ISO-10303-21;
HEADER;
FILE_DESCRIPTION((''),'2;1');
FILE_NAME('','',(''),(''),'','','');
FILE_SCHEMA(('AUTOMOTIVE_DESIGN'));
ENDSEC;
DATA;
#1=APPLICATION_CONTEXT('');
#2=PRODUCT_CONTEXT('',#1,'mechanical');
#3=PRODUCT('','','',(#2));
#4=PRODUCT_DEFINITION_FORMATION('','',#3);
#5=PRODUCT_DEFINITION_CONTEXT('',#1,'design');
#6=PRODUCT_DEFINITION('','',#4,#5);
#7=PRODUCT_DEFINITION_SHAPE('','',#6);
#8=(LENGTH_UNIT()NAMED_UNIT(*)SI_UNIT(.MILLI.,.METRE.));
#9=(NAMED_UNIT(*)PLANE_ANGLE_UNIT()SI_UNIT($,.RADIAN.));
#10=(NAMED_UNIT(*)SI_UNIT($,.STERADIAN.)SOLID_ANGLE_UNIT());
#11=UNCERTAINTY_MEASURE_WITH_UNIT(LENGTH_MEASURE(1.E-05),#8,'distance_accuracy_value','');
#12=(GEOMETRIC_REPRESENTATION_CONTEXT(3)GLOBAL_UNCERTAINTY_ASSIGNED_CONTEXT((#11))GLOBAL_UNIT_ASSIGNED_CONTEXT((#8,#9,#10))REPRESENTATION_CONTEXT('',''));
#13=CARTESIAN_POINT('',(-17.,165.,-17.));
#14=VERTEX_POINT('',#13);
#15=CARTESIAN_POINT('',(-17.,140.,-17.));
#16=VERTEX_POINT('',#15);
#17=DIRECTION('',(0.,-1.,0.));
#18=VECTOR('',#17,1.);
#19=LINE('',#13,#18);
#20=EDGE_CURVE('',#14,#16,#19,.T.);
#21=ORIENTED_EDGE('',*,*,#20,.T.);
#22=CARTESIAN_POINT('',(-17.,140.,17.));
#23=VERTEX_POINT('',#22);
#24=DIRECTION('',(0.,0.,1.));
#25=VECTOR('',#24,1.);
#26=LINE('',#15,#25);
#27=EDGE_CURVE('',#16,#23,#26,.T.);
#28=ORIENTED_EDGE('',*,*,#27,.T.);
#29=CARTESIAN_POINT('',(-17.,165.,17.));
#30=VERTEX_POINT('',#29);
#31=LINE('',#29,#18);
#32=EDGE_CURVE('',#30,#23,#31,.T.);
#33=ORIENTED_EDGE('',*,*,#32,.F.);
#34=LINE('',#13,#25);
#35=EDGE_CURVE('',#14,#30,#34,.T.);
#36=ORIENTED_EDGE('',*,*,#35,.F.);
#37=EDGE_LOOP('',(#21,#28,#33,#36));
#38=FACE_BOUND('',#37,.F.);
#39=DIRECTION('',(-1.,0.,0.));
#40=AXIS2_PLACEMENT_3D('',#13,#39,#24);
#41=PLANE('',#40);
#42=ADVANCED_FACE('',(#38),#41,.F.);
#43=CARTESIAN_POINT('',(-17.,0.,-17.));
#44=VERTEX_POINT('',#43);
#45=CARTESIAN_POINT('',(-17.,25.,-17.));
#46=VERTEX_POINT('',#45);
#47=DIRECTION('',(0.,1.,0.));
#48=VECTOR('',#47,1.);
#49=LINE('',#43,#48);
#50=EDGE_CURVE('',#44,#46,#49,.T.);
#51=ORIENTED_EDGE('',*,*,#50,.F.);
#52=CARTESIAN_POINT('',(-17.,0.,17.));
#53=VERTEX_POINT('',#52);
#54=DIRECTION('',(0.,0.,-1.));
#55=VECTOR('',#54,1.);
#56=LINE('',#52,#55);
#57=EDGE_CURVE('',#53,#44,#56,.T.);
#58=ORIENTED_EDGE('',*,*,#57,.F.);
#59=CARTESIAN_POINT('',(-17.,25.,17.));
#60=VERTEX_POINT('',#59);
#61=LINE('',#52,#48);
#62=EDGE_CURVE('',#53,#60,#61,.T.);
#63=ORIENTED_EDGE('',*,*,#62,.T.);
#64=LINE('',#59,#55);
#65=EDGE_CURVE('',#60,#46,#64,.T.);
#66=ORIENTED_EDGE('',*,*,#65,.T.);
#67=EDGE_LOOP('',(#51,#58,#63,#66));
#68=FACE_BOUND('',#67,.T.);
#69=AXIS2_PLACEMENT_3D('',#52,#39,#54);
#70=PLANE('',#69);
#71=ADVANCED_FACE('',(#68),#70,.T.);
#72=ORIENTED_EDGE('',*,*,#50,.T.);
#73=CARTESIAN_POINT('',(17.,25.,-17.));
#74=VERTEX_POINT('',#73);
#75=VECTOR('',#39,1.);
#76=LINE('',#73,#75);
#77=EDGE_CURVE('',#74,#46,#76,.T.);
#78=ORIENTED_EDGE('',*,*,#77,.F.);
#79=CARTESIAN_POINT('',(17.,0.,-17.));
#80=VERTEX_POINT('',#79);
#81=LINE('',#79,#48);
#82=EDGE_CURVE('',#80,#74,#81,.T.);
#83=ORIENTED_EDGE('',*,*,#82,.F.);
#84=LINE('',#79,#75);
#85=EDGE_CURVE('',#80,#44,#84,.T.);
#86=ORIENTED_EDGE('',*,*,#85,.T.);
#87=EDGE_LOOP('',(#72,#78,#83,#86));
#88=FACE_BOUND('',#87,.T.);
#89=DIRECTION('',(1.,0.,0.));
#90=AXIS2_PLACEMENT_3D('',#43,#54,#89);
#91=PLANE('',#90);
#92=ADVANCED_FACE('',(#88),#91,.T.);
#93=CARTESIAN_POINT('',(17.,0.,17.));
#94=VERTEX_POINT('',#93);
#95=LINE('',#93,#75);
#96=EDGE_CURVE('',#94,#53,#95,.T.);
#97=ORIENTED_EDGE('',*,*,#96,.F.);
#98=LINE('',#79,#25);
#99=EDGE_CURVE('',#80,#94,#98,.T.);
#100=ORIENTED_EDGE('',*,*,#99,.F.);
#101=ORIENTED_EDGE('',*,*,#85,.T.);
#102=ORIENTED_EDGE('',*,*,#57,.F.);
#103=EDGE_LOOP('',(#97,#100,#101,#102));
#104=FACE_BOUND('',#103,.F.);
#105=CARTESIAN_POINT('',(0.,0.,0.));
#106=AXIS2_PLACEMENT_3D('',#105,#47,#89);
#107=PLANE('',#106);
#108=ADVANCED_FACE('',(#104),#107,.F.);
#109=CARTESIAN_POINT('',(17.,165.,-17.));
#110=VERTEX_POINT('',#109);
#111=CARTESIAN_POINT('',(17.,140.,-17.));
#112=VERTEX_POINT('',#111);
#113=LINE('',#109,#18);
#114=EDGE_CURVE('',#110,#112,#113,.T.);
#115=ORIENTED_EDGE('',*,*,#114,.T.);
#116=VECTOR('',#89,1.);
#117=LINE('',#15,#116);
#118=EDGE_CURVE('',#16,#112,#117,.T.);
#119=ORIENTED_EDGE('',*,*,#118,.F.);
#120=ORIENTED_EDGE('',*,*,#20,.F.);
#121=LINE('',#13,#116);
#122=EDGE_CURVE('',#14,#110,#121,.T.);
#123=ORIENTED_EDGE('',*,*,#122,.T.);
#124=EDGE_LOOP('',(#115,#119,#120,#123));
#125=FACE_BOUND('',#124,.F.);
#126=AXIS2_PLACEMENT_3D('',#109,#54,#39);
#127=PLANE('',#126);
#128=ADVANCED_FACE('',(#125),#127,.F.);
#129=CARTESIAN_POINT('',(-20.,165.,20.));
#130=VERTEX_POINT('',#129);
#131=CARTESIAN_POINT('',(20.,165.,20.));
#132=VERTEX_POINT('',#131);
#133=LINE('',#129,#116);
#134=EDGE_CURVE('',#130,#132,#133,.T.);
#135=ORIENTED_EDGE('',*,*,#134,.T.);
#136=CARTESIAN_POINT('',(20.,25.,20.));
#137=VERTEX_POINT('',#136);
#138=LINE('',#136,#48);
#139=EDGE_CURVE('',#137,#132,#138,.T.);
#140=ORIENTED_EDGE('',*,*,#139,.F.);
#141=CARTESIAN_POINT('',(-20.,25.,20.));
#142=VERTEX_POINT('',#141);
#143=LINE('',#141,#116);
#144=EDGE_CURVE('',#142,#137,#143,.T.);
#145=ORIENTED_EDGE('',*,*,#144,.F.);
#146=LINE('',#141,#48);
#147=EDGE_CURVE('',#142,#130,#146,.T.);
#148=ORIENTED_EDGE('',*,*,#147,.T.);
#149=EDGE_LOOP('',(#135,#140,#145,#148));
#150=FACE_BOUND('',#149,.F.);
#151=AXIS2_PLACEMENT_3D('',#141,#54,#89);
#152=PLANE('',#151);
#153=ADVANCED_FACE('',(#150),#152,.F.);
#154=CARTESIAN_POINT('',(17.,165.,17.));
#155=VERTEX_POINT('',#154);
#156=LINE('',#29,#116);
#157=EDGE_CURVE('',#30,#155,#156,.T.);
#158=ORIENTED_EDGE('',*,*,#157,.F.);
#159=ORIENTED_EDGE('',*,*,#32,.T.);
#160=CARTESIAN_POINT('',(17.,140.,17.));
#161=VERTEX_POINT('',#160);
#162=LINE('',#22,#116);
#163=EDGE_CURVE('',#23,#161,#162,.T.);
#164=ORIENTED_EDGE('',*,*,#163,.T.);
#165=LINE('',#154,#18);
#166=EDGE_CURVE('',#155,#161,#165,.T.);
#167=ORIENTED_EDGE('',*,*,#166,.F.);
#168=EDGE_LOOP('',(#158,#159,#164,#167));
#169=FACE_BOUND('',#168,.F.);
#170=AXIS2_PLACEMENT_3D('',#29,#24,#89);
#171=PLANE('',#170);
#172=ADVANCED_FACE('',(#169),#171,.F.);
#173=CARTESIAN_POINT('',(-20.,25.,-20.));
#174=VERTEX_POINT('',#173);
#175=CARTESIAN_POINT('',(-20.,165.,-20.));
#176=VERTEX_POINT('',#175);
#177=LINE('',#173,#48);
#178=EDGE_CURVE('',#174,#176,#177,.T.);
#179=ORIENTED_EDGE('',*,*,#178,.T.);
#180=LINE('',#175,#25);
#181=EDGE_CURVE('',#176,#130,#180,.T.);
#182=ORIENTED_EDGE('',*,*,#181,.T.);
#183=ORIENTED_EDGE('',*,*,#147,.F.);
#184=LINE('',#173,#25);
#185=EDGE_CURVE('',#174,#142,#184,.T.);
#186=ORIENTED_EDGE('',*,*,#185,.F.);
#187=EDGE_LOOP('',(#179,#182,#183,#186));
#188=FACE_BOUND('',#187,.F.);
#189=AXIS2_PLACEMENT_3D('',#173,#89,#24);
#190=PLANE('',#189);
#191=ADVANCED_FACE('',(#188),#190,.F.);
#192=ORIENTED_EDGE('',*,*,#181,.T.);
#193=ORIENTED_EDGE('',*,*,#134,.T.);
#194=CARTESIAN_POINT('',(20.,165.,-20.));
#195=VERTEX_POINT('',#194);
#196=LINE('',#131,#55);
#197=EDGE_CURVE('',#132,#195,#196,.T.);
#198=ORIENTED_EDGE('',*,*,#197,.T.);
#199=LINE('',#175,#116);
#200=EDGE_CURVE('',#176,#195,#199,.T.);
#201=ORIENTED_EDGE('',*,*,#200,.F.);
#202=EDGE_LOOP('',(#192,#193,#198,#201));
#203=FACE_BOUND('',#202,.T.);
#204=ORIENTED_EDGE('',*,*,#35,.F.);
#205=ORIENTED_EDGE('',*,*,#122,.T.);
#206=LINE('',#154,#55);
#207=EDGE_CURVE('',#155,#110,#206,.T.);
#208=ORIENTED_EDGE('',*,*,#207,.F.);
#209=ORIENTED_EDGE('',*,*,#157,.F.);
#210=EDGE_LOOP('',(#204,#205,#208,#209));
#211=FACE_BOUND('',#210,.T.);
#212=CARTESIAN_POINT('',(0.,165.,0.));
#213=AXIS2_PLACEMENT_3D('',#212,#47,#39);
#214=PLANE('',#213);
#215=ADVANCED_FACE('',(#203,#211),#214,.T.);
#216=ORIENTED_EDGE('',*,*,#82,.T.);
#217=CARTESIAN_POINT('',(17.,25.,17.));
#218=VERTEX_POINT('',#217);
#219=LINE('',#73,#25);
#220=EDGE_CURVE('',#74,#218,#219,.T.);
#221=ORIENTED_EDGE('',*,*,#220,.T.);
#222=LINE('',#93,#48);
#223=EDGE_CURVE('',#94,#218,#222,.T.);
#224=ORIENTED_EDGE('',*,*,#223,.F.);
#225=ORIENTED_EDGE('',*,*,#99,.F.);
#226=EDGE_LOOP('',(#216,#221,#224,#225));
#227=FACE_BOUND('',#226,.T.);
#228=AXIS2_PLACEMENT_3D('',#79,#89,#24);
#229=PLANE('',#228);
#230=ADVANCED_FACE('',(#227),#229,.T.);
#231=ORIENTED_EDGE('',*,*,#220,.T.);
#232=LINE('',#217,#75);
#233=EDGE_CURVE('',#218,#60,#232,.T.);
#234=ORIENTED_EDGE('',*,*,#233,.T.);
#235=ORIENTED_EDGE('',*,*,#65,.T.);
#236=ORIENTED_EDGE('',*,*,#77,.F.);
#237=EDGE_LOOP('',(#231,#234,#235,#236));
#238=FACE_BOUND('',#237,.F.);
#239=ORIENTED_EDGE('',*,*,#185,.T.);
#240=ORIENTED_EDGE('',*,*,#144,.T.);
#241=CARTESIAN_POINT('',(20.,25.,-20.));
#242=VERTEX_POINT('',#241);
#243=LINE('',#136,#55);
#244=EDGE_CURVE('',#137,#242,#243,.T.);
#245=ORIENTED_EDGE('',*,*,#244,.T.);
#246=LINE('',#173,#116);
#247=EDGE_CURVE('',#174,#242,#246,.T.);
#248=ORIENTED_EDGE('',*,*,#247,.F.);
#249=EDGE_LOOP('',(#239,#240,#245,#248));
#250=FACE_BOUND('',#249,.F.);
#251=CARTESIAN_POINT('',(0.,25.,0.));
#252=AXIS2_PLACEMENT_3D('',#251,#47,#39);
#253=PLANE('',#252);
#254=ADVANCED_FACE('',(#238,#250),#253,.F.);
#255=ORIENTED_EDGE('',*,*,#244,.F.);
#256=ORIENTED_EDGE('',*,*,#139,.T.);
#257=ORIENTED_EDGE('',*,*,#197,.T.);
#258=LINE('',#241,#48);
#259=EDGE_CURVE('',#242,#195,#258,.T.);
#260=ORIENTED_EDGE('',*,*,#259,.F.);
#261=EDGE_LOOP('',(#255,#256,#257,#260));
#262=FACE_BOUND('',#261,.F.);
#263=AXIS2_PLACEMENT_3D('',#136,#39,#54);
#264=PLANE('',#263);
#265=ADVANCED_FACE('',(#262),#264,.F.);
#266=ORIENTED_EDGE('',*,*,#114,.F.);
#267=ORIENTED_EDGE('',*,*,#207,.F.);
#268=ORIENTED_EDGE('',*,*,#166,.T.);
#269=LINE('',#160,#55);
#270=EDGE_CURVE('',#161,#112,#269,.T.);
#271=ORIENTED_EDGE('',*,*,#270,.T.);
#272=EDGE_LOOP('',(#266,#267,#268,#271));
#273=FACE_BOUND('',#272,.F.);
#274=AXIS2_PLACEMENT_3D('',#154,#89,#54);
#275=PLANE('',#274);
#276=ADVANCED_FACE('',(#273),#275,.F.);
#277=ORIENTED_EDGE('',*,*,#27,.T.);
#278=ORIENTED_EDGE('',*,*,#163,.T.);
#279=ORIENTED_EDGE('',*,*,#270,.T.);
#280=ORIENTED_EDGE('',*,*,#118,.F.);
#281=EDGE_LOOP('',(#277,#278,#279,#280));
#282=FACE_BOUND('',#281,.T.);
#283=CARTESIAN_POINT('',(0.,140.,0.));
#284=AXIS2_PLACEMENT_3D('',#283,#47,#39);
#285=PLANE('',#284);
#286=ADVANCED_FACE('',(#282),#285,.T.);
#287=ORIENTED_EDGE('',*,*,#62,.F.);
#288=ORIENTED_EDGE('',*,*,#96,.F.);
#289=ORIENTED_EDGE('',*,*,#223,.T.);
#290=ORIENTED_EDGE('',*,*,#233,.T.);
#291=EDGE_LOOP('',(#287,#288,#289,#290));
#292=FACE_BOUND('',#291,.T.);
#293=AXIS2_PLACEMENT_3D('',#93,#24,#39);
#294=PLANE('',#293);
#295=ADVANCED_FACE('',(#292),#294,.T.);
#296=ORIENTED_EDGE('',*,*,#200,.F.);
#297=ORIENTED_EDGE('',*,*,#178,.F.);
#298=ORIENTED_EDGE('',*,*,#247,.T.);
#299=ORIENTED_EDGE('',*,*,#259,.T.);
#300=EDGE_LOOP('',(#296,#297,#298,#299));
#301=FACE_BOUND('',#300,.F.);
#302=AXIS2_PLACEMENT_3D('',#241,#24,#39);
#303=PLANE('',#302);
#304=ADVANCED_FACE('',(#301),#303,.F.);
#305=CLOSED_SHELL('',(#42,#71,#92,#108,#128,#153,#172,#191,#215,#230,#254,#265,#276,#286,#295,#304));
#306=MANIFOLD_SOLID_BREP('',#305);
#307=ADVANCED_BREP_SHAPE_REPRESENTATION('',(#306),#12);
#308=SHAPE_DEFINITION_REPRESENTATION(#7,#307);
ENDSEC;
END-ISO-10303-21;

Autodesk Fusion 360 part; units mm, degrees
sketch "Sketch1" plane through (0, 0, 0) normal (0, 1, 0) x (1, 0, 0)
  line L0 (0, 17) -> (17, 17)
  line L1 (17, 17) -> (17, -17)
  line L2 (17, -17) -> (-17, -17)
  line L3 (-17, -17) -> (-17, 17)
  line L4 (-17, 17) -> (0, 17)
  dimension "d4" = 34
  dimension "d5" = 34
extrude "Extrude1" add sketch "Sketch1" along normal blind 25
sketch "Sketch2" plane through (0, 25, 0) normal (0, 1, 0) x (-1, 0, 0)
  line L0 (17, -17) -> (17, 17)
  line L1 (17, 17) -> (-17, 17)
  line L2 (-17, 17) -> (-17, -17)
  line L3 (-17, -17) -> (17, -17)
  line L4 (0, -20) -> (20, -20)
  line L5 (20, -20) -> (20, 20)
  line L6 (20, 20) -> (-20, 20)
  line L7 (-20, 20) -> (-20, -20)
  line L8 (-20, -20) -> (0, -20)
  dimension "d12" = 40
extrude "Extrude2" add sketch "Sketch2" along normal blind 140 contours L0 L1 L2 L3 | L4 L5 L6 L7 L8
sketch "Sketch3" plane through (0, 165, 0) normal (0, 1, 0) x (-1, 0, 0)
  line L0 (-20, -20) -> (20, -20)
  line L1 (20, -20) -> (20, 20)
  line L2 (20, 20) -> (-20, 20)
  line L3 (-20, 20) -> (-20, -20)
  line L4 (0, -17) -> (17, -17)
  line L5 (17, -17) -> (17, 17)
  line L6 (17, 17) -> (-17, 17)
  line L7 (-17, 17) -> (-17, -17)
  line L8 (-17, -17) -> (0, -17)
  dimension "d19" = 34
extrude "Extrude3" cut sketch "Sketch3" against normal blind 25 contours L4 L5 L6 L7 L8
